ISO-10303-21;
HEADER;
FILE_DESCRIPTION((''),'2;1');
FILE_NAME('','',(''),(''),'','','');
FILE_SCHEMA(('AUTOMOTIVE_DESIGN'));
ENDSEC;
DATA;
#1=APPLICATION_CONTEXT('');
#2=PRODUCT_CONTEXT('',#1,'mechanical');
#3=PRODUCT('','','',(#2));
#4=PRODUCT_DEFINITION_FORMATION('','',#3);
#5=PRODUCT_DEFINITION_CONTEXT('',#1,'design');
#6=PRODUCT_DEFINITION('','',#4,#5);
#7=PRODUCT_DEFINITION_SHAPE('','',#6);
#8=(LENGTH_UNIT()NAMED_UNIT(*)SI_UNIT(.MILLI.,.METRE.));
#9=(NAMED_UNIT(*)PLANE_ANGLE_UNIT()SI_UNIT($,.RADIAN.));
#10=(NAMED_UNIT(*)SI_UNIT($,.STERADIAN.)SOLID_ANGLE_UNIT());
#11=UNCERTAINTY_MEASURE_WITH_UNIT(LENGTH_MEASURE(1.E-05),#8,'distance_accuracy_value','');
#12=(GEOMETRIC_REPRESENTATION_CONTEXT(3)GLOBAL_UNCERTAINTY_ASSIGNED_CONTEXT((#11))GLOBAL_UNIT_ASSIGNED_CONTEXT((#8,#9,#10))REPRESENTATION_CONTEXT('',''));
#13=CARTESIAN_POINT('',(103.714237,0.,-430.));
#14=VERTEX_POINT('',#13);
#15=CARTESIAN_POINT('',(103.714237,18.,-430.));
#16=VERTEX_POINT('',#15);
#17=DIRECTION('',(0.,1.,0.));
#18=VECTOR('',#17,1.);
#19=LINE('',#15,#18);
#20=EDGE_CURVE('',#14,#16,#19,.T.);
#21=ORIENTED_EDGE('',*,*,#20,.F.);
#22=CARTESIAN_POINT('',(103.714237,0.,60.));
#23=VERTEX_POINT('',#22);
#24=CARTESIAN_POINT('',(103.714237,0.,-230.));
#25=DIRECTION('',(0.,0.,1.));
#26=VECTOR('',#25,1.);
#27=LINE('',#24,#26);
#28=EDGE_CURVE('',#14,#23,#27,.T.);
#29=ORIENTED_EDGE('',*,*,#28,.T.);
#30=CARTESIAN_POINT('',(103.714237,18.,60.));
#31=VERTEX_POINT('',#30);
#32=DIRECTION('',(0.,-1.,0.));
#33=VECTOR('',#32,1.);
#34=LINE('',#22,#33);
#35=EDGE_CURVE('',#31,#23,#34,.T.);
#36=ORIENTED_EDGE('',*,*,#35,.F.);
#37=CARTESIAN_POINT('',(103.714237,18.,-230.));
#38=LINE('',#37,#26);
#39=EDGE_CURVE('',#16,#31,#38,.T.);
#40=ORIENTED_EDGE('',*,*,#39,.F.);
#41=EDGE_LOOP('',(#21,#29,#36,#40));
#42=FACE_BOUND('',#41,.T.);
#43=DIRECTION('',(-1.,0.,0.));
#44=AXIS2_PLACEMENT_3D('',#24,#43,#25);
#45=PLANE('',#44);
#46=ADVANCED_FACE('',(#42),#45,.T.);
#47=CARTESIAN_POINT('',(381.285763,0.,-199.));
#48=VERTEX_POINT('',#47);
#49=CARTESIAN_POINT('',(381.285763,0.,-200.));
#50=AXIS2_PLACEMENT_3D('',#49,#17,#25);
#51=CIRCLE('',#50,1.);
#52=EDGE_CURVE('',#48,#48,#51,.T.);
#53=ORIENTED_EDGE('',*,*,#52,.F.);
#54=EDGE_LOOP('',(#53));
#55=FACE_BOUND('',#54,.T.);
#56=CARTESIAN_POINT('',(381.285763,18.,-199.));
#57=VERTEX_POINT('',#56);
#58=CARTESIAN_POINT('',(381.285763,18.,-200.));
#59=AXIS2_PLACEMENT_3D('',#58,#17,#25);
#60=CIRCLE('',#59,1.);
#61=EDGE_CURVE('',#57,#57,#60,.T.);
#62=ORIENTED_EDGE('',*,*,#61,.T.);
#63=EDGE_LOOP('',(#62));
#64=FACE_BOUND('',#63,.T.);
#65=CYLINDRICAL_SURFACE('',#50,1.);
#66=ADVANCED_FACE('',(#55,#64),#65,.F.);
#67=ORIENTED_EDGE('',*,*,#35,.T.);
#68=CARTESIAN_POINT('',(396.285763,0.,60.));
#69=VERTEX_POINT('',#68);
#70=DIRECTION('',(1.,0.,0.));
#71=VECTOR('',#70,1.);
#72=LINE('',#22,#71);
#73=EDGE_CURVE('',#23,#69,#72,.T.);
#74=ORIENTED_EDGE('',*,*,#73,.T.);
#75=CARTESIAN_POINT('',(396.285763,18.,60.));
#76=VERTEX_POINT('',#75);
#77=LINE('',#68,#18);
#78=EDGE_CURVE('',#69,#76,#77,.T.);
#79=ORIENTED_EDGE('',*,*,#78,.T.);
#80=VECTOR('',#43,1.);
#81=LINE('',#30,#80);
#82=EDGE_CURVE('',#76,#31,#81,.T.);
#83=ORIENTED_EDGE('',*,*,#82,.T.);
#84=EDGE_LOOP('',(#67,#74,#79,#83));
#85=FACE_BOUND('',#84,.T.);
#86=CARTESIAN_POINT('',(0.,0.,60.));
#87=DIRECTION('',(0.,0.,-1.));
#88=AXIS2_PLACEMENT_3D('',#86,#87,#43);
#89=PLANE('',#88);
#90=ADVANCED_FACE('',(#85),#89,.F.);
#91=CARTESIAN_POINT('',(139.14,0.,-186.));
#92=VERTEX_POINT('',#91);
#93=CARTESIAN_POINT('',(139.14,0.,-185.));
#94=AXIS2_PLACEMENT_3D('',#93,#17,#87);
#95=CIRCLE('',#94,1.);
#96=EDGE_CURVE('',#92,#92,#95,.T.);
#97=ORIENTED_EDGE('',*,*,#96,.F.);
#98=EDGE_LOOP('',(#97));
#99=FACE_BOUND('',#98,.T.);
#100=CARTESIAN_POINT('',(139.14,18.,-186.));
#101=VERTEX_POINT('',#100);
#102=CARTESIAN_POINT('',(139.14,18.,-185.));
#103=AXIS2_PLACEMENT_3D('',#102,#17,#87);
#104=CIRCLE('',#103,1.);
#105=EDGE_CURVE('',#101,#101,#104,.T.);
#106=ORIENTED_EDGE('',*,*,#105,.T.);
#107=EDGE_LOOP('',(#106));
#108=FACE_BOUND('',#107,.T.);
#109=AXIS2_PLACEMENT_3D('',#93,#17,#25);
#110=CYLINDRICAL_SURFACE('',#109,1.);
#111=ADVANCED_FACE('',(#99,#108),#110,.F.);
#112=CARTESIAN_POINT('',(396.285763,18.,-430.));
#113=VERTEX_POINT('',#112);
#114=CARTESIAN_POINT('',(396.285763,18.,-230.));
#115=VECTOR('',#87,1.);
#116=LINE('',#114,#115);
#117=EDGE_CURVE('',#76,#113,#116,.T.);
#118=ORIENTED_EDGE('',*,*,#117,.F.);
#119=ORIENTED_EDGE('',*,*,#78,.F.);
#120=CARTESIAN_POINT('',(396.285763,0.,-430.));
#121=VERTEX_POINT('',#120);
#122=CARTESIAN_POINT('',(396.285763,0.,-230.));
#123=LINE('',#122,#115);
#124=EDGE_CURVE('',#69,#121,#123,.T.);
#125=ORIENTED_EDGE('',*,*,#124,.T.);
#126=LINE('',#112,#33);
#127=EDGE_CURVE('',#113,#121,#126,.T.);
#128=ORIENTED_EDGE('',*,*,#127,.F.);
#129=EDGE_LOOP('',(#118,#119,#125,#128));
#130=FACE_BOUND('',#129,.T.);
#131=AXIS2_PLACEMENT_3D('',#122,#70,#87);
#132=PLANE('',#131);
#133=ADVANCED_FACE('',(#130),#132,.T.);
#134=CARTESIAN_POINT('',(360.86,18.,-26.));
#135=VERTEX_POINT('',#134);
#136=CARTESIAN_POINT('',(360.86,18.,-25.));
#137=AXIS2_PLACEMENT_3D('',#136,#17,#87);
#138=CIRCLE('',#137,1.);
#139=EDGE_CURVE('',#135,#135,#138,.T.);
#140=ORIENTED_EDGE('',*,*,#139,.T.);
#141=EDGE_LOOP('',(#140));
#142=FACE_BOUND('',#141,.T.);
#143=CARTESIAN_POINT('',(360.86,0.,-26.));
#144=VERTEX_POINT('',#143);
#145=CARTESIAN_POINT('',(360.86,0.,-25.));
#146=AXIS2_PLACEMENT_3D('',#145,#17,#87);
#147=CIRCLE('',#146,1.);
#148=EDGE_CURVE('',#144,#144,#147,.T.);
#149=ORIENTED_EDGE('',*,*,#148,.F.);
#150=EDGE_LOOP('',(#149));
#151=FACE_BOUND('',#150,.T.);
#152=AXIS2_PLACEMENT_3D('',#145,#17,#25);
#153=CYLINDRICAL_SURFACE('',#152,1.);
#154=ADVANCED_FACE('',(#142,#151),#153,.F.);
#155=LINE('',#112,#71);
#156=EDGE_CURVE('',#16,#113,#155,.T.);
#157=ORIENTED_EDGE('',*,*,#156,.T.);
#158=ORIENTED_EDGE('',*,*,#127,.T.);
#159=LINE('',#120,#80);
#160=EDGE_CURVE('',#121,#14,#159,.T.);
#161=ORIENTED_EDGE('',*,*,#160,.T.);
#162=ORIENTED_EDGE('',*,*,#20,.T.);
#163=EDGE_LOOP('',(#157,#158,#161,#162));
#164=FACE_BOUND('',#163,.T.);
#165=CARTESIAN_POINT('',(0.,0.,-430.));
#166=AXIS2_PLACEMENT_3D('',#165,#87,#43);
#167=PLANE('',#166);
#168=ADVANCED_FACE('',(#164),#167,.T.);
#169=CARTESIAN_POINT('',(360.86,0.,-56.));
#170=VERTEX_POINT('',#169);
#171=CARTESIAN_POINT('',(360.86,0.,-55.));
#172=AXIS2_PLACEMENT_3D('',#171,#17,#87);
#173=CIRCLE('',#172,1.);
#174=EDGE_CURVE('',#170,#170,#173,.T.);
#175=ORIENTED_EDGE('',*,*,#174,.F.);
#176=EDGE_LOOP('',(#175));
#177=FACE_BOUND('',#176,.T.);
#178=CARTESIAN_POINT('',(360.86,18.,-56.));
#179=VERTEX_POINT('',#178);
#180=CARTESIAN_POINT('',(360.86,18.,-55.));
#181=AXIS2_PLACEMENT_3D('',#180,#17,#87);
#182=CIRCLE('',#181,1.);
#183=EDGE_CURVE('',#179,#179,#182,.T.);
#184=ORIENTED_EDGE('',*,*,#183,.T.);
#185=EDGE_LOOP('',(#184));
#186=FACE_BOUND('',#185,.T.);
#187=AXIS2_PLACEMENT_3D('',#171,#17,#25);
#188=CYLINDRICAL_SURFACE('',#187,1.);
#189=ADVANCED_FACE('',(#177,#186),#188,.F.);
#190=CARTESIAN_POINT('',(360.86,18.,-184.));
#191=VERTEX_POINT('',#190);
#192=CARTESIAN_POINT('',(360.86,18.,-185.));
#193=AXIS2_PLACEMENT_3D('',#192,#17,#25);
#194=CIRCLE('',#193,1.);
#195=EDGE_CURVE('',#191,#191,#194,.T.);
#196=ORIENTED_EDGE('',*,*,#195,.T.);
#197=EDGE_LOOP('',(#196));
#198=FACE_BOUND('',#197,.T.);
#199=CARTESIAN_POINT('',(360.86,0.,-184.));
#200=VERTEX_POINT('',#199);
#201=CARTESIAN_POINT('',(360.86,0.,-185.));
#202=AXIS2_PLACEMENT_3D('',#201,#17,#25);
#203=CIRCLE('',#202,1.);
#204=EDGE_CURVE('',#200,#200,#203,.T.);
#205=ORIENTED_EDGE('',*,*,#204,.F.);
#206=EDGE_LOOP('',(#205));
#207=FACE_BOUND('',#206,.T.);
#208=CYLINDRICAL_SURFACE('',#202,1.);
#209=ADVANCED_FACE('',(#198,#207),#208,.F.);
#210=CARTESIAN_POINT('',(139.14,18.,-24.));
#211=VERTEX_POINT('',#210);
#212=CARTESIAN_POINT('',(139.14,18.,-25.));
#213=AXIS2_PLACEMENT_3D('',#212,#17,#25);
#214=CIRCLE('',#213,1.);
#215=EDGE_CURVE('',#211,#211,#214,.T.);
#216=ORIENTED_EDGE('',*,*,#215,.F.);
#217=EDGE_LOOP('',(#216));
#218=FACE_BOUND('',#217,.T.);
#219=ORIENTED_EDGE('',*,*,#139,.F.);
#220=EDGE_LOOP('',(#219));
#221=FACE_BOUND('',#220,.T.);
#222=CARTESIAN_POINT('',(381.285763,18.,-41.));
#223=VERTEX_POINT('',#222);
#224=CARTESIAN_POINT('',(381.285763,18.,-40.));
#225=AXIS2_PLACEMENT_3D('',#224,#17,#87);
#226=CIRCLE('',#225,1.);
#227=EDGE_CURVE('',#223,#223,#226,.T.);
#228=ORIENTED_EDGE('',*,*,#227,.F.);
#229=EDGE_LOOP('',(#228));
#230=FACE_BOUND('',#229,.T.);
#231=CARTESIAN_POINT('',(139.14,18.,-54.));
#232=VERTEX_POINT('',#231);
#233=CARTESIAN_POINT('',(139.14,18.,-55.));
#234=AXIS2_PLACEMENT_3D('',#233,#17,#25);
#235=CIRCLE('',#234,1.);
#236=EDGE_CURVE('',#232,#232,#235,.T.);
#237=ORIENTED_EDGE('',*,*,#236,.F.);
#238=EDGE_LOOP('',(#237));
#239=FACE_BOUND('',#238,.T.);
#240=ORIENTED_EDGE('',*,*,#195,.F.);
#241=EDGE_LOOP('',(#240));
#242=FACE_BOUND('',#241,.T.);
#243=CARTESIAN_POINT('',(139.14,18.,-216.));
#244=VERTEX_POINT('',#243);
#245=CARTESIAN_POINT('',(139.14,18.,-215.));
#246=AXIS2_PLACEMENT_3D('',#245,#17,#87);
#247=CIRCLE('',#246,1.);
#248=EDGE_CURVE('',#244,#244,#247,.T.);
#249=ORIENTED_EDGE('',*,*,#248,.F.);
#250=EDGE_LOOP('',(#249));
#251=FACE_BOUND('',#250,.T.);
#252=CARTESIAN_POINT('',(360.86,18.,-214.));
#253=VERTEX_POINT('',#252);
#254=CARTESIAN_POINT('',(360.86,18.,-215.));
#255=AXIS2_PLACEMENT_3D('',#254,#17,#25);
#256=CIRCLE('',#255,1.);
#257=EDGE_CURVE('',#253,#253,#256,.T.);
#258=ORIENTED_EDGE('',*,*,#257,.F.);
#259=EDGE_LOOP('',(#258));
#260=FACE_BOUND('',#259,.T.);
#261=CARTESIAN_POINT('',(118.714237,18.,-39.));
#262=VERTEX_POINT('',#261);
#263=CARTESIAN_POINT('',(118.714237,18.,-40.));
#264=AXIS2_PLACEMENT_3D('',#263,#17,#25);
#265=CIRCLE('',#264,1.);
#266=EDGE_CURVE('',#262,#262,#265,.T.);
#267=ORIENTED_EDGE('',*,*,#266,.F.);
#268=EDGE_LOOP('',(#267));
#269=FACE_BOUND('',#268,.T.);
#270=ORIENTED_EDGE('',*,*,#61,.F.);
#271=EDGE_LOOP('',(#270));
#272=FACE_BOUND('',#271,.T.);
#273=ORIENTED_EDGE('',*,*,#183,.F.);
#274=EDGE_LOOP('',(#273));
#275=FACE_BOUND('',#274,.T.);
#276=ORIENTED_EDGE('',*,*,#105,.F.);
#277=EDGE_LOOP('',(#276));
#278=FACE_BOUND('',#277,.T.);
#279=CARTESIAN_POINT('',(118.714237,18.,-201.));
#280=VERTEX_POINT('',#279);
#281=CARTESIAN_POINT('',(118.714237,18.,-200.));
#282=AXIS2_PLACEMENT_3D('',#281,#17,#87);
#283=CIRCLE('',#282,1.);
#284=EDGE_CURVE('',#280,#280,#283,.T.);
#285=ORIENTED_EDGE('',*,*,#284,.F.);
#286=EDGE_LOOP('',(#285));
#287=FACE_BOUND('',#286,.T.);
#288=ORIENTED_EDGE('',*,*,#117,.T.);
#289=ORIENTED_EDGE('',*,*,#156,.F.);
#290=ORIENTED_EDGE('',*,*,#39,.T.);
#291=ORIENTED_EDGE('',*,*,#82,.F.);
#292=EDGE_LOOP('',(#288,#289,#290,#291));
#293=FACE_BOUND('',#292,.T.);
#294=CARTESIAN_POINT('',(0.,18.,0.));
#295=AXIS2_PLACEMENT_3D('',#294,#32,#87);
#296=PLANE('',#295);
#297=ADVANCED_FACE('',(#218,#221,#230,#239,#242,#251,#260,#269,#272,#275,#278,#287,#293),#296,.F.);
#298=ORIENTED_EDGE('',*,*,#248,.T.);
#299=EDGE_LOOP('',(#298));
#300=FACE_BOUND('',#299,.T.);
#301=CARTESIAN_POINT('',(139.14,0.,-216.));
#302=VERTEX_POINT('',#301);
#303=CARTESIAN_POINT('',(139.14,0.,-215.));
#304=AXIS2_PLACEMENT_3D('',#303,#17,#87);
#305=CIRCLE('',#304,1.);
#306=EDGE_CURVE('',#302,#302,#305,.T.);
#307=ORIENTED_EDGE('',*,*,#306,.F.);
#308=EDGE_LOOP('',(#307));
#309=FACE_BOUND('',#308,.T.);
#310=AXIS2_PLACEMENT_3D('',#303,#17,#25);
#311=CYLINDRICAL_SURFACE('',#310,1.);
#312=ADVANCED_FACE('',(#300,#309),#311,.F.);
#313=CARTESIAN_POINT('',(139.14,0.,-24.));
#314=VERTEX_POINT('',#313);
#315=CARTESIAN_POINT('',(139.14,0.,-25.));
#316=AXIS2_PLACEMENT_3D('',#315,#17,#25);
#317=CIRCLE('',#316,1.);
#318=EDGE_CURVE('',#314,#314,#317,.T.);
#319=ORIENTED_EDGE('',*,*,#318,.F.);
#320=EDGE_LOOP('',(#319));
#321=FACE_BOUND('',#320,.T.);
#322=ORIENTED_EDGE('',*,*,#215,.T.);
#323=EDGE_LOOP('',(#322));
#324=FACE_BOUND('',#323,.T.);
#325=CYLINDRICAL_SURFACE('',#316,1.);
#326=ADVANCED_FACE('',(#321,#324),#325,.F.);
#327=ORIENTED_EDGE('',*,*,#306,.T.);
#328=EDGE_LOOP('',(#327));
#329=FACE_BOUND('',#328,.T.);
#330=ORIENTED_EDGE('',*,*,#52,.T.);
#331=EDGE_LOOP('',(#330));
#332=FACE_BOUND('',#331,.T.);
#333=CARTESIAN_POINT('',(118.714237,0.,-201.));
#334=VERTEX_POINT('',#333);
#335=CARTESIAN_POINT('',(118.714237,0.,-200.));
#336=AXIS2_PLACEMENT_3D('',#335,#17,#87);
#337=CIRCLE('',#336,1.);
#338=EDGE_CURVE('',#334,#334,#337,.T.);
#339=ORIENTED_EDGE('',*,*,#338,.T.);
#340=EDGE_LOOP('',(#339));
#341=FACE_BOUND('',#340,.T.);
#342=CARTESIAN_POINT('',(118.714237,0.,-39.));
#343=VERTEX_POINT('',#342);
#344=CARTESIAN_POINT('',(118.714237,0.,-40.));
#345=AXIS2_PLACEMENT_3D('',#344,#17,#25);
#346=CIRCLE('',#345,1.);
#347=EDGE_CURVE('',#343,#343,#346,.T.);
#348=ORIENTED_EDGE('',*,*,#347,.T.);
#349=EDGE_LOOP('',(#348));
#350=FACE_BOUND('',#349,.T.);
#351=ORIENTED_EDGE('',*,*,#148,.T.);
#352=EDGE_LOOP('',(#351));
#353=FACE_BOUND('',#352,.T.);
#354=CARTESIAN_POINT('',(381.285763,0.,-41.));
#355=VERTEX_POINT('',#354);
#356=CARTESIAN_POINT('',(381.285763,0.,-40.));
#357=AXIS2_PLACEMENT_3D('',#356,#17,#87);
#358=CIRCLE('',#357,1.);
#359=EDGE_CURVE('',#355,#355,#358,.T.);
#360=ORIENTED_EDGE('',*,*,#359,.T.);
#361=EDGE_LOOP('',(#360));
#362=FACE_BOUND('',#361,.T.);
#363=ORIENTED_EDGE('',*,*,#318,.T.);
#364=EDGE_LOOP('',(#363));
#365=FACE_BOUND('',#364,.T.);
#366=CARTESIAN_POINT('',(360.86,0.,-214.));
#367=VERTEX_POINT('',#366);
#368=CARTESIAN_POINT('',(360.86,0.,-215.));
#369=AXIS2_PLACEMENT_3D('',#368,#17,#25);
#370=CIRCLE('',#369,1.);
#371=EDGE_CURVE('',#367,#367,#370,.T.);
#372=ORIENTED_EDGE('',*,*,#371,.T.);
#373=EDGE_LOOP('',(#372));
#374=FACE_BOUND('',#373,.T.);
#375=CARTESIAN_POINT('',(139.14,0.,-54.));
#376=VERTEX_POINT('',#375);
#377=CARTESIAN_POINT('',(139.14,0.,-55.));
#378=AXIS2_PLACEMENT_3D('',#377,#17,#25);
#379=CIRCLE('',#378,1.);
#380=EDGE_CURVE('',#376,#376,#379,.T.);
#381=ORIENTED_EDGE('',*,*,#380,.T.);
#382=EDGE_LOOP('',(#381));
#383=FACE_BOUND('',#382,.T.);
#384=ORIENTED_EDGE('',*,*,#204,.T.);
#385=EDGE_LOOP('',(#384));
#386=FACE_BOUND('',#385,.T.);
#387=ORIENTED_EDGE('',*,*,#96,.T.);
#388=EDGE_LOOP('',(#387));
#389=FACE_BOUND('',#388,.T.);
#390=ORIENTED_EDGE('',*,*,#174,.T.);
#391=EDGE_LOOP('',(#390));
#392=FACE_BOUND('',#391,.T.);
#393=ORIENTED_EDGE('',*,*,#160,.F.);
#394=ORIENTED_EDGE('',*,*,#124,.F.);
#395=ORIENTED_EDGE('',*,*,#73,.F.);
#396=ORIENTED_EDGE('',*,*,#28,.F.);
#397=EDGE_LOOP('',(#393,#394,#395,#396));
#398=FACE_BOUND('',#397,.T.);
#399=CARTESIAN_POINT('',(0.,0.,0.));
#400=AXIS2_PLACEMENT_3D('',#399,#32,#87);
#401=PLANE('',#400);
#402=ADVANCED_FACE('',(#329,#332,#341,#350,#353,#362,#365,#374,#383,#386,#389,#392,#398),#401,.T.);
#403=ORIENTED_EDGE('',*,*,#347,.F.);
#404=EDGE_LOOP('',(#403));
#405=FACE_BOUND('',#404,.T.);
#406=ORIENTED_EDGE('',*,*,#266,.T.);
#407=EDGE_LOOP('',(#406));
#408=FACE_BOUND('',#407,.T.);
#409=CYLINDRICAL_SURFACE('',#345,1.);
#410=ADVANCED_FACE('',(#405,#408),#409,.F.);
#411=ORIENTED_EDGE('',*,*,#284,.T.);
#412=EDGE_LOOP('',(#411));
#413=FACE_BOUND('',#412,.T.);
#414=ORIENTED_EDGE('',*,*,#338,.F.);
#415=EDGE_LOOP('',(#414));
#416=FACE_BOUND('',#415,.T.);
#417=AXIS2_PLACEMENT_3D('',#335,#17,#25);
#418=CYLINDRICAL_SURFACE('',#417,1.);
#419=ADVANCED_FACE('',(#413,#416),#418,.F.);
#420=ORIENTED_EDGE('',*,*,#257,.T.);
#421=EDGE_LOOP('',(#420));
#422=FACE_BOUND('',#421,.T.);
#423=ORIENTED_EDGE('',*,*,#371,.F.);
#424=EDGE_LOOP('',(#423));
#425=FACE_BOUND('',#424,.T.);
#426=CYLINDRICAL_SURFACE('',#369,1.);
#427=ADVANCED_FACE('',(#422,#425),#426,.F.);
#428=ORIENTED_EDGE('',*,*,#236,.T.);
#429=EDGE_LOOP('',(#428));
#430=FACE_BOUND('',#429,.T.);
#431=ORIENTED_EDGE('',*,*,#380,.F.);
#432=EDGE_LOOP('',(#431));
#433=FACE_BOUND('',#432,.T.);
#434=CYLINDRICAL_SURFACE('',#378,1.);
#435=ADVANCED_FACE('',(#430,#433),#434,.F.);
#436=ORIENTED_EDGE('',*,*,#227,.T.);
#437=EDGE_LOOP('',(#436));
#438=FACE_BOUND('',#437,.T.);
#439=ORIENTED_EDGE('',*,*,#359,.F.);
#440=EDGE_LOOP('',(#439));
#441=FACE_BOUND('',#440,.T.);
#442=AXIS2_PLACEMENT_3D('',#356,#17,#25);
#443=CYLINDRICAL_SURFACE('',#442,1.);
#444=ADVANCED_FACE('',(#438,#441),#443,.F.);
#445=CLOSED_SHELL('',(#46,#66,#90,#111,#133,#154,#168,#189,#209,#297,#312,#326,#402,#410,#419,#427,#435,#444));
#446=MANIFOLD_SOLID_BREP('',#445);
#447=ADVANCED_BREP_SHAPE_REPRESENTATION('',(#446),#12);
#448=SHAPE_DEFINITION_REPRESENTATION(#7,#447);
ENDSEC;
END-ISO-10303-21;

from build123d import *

# Parameters (mm, degrees)
SKETCH_1_W          = 400
SKETCH_1_H          = 240
EXTRUDE_1_DEPTH     = 18
SKETCH_2_R          = 1
CUT_EXTRUDE_1_DEPTH = 19
SKETCH_3_W          = 615.978672802
SKETCH_3_H          = 327.558551324
SKETCH_3_W_2        = 292.571526578
SKETCH_3_H_2        = 220
CUT_EXTRUDE_2_DEPTH = 19
SKETCH_4_W          = 292.571526578
SKETCH_4_H          = 18
EXTRUDE_2_DEPTH     = 200
SKETCH_5_W          = 292.571526578
SKETCH_5_H          = 18
EXTRUDE_3_DEPTH     = 70


with BuildPart() as part:
    # Эскиз1 → Бобышка-Вытянуть1 (new body)
    with BuildSketch(Plane(origin=(0, 0, 0), x_dir=(1, 0, 0), z_dir=(0, 1, 0))):
        with Locations((200, 120)):
            Rectangle(SKETCH_1_W, SKETCH_1_H)
    extrude(amount=EXTRUDE_1_DEPTH)

    # Эскиз2 → Вырез-Вытянуть1 (cut, through all)
    with BuildSketch(Plane(origin=(0, 18, 0), x_dir=(1, 0, 0), z_dir=(0, 1, 0))):
        with Locations((360.86, 55)):
            Circle(SKETCH_2_R)
        with Locations((360.86, 25)):
            Circle(SKETCH_2_R)
        with Locations((381.285763289, 40)):
            Circle(SKETCH_2_R)
        with Locations((118.714236711, 40)):
            Circle(SKETCH_2_R)
        with Locations((139.14, 25)):
            Circle(SKETCH_2_R)
        with Locations((139.14, 55)):
            Circle(SKETCH_2_R)
        with Locations((381.285763289, 200)):
            Circle(SKETCH_2_R)
        with Locations((360.86, 215)):
            Circle(SKETCH_2_R)
        with Locations((360.86, 185)):
            Circle(SKETCH_2_R)
        with Locations((139.14, 185)):
            Circle(SKETCH_2_R)
        with Locations((139.14, 215)):
            Circle(SKETCH_2_R)
        with Locations((118.714236711, 200)):
            Circle(SKETCH_2_R)
    extrude(amount=-CUT_EXTRUDE_1_DEPTH, mode=Mode.SUBTRACT)

    # Эскиз3 → Вырез-Вытянуть2 (cut, through all)
    with BuildSketch(Plane(origin=(0, 18, 0), x_dir=(1, 0, 0), z_dir=(0, 1, 0))):
        with Locations((196.616519556, 120.940245782)):
            Rectangle(SKETCH_3_W, SKETCH_3_H)
        with Locations((250, 120)):
            Rectangle(SKETCH_3_W_2, SKETCH_3_H_2, mode=Mode.SUBTRACT)
    extrude(amount=-CUT_EXTRUDE_2_DEPTH, mode=Mode.SUBTRACT)

    # Эскиз4 → Бобышка-Вытянуть2 (add)
    with BuildSketch(Plane(origin=(0, 0, -230), x_dir=(-1, 0, 0), z_dir=(0, 0, -1))):
        with Locations((-250, 9)):
            Rectangle(SKETCH_4_W, SKETCH_4_H)
    extrude(amount=EXTRUDE_2_DEPTH)

    # Эскиз5 → Бобышка-Вытянуть3 (add)
    with BuildSketch(Plane.XY.offset(-10)):
        with Locations((250, 9)):
            Rectangle(SKETCH_5_W, SKETCH_5_H)
    extrude(amount=EXTRUDE_3_DEPTH)


solid = part.part
